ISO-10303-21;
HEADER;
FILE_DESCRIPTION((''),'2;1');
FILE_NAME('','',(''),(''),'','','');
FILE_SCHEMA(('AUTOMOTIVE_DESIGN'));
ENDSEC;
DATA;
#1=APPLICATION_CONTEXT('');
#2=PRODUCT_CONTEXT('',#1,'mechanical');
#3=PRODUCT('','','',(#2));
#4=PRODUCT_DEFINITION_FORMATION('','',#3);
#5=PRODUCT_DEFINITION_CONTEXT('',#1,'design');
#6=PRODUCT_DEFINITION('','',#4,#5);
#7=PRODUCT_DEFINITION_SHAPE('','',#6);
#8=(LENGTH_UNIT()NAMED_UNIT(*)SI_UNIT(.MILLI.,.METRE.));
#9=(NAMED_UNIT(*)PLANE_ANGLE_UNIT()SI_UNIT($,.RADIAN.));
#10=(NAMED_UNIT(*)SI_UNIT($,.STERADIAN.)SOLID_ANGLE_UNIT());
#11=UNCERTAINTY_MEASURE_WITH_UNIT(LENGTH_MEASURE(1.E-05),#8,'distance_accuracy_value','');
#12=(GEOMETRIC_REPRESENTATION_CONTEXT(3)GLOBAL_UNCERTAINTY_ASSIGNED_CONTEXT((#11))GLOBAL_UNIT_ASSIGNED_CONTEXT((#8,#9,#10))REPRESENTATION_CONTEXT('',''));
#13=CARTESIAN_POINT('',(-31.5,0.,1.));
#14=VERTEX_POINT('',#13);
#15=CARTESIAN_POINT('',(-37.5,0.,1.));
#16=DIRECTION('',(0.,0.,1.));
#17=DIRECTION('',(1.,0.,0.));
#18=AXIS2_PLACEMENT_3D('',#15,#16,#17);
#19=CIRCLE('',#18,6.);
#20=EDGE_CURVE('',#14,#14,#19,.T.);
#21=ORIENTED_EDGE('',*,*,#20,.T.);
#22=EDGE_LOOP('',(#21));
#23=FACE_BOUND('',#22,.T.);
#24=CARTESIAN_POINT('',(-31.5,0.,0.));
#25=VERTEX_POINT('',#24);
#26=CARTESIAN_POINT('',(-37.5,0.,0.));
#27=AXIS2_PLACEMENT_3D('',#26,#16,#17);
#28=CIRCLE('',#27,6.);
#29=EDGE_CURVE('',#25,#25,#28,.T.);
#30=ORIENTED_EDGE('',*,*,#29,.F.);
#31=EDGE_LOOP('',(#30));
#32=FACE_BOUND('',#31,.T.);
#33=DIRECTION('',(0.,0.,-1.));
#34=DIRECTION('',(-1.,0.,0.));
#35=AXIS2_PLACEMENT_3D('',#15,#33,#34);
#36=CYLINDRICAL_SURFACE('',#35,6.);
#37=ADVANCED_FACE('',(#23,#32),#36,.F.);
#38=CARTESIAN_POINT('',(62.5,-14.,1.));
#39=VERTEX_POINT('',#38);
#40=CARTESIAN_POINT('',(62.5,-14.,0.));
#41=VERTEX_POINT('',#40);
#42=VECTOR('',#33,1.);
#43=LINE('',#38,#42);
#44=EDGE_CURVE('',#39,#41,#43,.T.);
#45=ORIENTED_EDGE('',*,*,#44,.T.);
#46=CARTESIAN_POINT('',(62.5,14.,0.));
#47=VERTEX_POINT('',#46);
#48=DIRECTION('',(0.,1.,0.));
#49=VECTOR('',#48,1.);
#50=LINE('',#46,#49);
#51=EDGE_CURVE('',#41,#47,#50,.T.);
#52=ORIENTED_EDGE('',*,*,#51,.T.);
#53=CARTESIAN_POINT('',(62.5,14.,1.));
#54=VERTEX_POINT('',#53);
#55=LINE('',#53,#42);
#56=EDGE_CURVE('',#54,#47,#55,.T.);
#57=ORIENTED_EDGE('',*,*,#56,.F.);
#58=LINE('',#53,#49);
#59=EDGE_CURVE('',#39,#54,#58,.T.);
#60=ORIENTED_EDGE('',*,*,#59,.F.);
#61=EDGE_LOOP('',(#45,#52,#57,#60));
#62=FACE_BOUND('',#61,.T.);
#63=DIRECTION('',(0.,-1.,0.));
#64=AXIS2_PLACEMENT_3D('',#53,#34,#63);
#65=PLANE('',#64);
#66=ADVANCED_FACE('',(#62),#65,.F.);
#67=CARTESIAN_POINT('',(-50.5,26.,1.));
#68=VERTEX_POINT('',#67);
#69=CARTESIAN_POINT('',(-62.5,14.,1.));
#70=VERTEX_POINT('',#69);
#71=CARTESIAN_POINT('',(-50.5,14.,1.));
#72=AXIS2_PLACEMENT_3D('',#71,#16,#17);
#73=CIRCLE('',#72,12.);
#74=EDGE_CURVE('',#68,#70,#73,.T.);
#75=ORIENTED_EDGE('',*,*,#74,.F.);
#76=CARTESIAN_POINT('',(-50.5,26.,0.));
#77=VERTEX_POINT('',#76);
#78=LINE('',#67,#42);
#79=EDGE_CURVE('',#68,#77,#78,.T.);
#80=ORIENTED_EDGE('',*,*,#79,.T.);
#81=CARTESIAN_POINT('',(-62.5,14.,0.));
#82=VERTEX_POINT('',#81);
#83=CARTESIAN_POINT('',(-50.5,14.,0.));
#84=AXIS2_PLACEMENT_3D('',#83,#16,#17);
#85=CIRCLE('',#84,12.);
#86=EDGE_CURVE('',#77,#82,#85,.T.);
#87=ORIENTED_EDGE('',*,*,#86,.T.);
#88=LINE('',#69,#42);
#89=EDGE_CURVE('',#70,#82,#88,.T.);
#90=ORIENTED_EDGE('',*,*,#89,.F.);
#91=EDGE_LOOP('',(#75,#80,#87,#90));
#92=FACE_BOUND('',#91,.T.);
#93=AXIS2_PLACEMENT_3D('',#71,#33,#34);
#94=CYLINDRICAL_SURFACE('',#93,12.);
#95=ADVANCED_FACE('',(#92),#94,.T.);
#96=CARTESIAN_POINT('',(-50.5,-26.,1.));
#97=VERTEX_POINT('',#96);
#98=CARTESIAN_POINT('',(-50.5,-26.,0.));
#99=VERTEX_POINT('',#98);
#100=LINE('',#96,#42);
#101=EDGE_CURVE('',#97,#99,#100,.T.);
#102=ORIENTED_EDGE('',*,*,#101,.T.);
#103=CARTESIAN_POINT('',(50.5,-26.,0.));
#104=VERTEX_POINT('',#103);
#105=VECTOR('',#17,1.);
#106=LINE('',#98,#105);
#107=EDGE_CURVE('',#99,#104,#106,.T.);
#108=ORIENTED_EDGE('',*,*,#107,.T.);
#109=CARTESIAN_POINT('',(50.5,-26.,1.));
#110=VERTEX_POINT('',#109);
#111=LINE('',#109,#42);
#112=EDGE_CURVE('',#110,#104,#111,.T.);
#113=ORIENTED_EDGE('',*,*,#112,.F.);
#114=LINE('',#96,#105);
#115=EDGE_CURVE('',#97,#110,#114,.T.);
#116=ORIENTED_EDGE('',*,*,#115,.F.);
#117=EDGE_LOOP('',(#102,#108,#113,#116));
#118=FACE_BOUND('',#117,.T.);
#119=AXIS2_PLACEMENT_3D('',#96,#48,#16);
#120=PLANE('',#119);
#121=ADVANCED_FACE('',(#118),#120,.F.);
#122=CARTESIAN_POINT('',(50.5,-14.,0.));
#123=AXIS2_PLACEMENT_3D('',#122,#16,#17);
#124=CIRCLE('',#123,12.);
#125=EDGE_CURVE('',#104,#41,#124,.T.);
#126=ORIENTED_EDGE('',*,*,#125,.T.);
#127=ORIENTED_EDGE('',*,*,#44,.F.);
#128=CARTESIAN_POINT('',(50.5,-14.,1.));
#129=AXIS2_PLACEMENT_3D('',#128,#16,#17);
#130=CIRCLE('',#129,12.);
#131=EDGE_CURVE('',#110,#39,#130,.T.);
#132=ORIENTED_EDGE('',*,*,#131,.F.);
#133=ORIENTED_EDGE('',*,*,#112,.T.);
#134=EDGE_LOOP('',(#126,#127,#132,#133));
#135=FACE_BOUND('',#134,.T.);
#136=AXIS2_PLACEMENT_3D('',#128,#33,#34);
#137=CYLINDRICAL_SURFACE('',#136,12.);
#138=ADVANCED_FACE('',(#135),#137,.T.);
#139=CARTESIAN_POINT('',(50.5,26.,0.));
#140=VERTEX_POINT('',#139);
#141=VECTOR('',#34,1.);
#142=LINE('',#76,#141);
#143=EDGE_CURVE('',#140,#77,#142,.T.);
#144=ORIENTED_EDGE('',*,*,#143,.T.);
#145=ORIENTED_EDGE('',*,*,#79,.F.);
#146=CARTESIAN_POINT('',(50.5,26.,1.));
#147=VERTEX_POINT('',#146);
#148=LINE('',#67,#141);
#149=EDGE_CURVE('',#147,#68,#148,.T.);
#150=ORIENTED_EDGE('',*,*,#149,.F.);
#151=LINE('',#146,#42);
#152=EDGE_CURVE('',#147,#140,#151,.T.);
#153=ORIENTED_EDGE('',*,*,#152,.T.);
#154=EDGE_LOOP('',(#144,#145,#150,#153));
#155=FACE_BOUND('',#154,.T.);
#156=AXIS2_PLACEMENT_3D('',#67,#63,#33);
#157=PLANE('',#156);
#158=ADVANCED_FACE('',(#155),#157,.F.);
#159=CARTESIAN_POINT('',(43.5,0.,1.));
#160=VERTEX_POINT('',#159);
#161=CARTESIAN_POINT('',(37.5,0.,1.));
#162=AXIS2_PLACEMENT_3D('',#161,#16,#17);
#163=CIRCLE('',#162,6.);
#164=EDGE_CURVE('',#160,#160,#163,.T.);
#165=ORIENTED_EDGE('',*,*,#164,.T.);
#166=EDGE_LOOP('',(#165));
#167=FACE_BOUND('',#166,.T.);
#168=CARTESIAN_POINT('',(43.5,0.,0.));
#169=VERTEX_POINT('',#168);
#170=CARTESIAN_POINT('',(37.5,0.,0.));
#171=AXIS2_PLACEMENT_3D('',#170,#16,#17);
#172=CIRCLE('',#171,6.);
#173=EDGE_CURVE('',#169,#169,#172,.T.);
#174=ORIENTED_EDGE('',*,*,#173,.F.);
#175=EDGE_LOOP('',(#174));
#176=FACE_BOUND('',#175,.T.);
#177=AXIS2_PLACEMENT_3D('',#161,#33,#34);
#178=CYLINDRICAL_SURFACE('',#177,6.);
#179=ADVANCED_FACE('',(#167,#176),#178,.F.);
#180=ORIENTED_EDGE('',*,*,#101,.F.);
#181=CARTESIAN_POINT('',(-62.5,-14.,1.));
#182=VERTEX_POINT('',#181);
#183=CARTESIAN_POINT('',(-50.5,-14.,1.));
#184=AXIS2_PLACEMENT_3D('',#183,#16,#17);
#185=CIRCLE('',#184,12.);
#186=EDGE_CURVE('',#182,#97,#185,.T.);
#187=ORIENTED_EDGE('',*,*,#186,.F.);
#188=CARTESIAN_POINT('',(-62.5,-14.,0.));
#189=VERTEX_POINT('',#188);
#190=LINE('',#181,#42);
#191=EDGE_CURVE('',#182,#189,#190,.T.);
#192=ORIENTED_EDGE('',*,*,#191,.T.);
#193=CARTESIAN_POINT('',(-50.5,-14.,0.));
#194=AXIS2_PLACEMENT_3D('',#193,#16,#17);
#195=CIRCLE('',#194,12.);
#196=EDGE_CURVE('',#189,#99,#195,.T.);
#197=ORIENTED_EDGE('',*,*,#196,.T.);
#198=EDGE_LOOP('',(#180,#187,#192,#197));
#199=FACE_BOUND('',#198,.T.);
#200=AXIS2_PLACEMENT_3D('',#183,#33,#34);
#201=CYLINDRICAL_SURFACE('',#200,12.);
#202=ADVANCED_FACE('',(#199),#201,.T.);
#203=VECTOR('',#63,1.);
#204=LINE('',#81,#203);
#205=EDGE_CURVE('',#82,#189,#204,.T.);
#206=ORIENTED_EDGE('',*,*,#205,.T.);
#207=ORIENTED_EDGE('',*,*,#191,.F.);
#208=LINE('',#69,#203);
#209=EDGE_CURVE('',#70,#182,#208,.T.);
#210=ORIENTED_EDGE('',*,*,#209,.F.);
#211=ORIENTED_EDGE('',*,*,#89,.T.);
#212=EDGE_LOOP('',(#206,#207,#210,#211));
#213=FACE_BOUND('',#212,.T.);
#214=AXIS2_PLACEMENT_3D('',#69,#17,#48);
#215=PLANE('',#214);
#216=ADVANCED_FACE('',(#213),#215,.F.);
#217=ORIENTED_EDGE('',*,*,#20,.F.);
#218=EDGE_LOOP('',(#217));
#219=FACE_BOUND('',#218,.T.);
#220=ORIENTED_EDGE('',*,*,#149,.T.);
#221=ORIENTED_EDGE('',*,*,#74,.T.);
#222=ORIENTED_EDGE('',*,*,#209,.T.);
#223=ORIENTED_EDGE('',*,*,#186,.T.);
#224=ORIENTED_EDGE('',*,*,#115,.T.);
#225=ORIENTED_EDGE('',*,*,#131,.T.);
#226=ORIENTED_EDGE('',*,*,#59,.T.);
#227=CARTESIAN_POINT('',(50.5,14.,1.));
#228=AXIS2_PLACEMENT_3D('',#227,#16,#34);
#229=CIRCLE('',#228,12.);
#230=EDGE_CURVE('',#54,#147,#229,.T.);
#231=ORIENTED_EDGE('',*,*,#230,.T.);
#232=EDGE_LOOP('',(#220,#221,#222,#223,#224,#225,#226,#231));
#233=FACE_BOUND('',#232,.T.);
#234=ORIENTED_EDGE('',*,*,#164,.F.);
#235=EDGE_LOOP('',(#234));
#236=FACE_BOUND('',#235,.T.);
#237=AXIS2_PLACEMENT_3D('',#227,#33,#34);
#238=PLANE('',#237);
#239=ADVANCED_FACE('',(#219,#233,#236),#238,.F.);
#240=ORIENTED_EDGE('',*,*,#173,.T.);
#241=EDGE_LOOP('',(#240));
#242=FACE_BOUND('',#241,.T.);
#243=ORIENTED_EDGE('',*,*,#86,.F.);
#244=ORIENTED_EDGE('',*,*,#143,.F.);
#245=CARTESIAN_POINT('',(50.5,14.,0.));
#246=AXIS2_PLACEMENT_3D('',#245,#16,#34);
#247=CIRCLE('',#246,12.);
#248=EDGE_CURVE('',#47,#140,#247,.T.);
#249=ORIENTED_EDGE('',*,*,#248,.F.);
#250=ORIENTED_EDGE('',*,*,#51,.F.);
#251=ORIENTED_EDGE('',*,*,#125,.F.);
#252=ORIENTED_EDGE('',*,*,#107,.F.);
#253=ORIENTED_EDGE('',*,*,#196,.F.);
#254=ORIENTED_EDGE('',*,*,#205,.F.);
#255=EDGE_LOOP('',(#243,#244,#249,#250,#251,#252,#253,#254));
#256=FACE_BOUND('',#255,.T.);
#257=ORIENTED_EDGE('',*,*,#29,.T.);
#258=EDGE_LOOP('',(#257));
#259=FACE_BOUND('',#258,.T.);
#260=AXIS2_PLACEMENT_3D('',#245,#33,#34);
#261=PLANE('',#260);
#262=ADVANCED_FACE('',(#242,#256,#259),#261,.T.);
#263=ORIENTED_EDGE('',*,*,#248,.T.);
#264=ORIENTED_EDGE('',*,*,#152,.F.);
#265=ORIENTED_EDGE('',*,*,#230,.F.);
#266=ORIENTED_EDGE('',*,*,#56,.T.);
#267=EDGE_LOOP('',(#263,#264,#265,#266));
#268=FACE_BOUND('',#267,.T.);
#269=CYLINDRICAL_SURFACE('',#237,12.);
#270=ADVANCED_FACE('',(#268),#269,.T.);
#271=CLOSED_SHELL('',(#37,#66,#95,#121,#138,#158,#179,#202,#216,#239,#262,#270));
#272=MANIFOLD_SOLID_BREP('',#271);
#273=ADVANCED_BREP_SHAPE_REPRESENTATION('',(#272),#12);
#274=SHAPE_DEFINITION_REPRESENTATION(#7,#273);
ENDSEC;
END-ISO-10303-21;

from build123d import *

# Parameters (mm, degrees)
SKETCH1_R           = 6
BOSS_EXTRUDE1_DEPTH = 1


with BuildPart() as part:
    # Sketch1 → Boss-Extrude1 (new body)
    with BuildSketch(Plane.XY):
        with BuildLine():
            Line((-50.5, 26), (50.5, 26))
            ThreePointArc((50.5, 26), (58.985281374, 22.485281374), (62.5, 14))
            Line((62.5, 14), (62.5, -14))
            ThreePointArc((62.5, -14), (58.985281374, -22.485281374), (50.5, -26))
            Line((50.5, -26), (-50.5, -26))
            ThreePointArc((-50.5, -26), (-58.985281374, -22.485281374), (-62.5, -14))
            Line((-62.5, -14), (-62.5, 14))
            ThreePointArc((-62.5, 14), (-58.985281374, 22.485281374), (-50.5, 26))
        make_face()
        with Locations((-37.5, 0)):
            Circle(SKETCH1_R, mode=Mode.SUBTRACT)
        with Locations((37.5, 0)):
            Circle(SKETCH1_R, mode=Mode.SUBTRACT)
    extrude(amount=BOSS_EXTRUDE1_DEPTH)


solid = part.part
